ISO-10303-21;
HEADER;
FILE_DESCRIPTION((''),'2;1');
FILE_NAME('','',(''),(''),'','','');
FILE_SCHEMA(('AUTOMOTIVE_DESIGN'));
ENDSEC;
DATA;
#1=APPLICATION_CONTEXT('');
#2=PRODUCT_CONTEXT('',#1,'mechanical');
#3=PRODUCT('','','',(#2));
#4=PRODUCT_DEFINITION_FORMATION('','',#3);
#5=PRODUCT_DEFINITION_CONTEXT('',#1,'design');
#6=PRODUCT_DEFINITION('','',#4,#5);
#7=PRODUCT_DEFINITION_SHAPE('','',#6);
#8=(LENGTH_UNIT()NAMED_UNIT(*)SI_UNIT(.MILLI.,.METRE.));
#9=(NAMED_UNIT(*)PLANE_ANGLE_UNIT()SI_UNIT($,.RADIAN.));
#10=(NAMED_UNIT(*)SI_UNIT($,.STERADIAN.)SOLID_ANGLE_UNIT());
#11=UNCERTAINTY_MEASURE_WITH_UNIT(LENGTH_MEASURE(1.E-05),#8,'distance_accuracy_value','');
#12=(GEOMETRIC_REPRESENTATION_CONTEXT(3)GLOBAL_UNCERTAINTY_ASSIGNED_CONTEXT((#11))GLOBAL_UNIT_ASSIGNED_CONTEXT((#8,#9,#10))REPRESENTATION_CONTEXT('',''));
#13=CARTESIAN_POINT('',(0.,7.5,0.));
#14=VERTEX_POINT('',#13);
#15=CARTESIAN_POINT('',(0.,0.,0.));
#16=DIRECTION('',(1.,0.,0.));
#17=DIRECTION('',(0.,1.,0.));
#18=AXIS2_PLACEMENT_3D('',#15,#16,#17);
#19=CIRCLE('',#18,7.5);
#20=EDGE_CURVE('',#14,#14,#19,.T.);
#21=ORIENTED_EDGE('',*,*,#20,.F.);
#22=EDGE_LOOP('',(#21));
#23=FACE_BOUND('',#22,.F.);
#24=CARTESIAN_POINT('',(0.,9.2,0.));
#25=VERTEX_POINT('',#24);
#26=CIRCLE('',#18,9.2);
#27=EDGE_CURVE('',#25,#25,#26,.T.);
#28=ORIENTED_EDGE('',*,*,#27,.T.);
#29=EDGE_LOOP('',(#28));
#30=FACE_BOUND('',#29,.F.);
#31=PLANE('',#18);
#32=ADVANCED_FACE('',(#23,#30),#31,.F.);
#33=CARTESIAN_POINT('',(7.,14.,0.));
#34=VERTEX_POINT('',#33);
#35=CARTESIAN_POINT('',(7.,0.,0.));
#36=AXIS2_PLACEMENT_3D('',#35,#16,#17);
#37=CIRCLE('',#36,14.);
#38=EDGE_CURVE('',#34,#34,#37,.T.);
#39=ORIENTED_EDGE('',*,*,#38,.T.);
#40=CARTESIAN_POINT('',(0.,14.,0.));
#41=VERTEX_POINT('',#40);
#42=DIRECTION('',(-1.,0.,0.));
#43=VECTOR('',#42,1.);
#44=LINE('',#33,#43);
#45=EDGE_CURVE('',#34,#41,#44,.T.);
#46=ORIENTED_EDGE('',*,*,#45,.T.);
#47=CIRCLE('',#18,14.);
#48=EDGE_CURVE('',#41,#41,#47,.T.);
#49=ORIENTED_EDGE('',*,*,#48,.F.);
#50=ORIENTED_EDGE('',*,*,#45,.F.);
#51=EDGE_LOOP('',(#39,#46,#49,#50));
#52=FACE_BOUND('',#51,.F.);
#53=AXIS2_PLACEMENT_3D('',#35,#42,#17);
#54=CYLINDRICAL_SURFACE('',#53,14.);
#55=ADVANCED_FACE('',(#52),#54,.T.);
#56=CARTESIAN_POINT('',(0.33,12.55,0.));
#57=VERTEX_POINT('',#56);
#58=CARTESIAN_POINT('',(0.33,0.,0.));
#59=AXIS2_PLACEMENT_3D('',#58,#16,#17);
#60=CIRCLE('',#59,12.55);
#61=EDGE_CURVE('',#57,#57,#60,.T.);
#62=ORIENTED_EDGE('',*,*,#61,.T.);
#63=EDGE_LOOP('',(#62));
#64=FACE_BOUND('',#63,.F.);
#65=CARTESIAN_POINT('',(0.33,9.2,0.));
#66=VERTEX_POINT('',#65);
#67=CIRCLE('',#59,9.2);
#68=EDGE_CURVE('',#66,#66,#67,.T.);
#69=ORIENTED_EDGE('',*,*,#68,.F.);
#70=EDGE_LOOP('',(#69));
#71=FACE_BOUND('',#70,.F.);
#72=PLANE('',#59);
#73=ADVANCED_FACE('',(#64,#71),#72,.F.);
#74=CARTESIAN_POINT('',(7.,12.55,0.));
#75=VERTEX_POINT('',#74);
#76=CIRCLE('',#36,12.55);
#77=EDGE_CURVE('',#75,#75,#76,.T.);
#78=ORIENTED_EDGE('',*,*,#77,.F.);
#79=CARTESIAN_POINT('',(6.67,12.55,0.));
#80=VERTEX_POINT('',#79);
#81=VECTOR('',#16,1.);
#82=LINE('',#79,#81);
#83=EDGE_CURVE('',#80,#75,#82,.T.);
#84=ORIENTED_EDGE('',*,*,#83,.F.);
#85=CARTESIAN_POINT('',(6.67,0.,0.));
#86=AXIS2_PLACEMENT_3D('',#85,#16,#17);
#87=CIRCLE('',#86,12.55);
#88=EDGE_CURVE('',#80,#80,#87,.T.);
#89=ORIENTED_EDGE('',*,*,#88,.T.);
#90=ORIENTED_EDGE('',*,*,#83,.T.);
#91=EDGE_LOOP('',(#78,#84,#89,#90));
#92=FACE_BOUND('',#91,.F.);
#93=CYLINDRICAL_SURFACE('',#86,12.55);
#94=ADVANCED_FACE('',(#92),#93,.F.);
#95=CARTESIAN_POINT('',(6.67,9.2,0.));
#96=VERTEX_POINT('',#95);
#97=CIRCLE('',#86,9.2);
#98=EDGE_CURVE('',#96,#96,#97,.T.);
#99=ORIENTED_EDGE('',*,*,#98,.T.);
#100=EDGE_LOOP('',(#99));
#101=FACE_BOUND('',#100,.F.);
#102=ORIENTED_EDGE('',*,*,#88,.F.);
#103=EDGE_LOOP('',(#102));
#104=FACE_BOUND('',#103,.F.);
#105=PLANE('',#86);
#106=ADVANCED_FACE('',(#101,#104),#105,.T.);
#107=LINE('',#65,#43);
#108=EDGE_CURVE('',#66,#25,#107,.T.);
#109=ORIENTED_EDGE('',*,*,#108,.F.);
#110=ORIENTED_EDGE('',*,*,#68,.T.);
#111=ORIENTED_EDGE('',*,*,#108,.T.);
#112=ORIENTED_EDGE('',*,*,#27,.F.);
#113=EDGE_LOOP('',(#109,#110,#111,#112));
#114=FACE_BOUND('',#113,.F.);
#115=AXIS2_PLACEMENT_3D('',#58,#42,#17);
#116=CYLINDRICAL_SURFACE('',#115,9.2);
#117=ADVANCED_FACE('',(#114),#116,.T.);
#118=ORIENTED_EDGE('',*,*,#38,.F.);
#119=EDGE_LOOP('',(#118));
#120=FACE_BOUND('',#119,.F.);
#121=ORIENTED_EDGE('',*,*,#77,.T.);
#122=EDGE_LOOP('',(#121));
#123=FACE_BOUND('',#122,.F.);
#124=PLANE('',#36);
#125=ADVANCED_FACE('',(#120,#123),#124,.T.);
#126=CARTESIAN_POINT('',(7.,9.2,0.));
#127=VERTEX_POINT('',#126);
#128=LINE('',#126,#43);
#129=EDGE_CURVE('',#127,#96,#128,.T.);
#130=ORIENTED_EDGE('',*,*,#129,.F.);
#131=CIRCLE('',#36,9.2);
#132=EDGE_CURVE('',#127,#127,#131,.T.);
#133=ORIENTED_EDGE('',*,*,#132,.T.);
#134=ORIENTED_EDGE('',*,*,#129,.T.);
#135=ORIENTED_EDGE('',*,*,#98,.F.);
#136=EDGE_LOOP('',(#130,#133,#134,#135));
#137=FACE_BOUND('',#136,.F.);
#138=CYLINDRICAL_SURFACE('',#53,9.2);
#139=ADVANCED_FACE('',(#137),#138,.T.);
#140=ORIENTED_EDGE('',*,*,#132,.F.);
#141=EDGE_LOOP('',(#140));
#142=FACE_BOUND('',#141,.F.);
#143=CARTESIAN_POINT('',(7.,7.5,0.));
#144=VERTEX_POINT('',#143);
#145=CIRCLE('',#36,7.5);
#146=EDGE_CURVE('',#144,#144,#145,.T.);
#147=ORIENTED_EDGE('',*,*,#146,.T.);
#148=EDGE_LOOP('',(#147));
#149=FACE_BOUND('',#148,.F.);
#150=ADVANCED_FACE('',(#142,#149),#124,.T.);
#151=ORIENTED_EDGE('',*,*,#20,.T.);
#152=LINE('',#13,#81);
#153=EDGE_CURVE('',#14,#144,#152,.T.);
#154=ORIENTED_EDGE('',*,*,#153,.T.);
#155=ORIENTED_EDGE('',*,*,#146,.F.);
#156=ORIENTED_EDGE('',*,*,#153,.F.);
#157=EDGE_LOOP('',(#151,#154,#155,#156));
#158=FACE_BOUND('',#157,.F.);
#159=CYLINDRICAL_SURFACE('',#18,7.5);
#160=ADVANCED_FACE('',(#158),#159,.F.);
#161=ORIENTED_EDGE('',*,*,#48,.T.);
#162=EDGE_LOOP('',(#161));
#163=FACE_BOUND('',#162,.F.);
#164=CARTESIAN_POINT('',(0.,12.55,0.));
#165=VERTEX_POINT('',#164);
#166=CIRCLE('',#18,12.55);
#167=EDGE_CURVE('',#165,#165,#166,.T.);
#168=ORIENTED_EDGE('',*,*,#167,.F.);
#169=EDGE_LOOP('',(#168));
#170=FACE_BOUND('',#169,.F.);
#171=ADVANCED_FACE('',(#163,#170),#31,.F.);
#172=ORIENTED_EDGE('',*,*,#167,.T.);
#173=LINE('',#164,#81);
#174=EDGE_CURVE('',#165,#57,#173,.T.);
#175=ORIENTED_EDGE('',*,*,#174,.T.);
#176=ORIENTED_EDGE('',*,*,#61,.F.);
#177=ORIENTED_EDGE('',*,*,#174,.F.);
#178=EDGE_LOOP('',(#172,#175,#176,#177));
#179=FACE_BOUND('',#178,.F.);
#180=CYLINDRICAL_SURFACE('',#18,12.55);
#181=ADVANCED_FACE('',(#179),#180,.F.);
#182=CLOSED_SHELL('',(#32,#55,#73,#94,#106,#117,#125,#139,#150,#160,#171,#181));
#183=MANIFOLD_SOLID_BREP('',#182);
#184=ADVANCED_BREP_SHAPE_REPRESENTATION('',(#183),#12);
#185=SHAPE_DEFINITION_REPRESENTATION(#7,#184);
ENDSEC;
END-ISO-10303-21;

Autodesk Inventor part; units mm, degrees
sketch "Sketch_1" plane through (0, 0, 0) normal (0, 0, 1) x (1, 0, 0)
  line L0 (50, 0) -> (-50, 0)
  line L1 (0, 12.55) -> (0.33, 12.55)
  line L2 (0.33, 12.55) -> (0.33, 9.2)
  line L3 (0.33, 9.2) -> (0, 9.2)
  line L4 (0, 9.2) -> (0, 7.5)
  line L5 (0, 7.5) -> (7, 7.5)
  line L6 (7, 7.5) -> (7, 9.2)
  line L7 (7, 9.2) -> (6.67, 9.2)
  line L8 (6.67, 9.2) -> (6.67, 12.55)
  line L9 (6.67, 12.55) -> (7, 12.55)
  line L10 (7, 12.55) -> (7, 14)
  line L11 (7, 14) -> (0, 14)
  line L12 (0, 14) -> (0, 12.55)
revolve "Revolution1" add sketch "Sketch_1" angle 360 about axis through (50, 0, 0) along (1, 0, 0)
ref_plane "to_cp1_XY" through (0, 0, 0) normal (1, 0, 0) x (0, 0, -1)
ref_plane "to_cp1_YZ" through (0, 0, 0) normal (0, 0, -1) x (0, 1, 0)
ref_plane "to_cp1_ZX" through (0, 0, 0) normal (0, 1, 0) x (1, 0, 0)
properties part number "C6902ZZ"
